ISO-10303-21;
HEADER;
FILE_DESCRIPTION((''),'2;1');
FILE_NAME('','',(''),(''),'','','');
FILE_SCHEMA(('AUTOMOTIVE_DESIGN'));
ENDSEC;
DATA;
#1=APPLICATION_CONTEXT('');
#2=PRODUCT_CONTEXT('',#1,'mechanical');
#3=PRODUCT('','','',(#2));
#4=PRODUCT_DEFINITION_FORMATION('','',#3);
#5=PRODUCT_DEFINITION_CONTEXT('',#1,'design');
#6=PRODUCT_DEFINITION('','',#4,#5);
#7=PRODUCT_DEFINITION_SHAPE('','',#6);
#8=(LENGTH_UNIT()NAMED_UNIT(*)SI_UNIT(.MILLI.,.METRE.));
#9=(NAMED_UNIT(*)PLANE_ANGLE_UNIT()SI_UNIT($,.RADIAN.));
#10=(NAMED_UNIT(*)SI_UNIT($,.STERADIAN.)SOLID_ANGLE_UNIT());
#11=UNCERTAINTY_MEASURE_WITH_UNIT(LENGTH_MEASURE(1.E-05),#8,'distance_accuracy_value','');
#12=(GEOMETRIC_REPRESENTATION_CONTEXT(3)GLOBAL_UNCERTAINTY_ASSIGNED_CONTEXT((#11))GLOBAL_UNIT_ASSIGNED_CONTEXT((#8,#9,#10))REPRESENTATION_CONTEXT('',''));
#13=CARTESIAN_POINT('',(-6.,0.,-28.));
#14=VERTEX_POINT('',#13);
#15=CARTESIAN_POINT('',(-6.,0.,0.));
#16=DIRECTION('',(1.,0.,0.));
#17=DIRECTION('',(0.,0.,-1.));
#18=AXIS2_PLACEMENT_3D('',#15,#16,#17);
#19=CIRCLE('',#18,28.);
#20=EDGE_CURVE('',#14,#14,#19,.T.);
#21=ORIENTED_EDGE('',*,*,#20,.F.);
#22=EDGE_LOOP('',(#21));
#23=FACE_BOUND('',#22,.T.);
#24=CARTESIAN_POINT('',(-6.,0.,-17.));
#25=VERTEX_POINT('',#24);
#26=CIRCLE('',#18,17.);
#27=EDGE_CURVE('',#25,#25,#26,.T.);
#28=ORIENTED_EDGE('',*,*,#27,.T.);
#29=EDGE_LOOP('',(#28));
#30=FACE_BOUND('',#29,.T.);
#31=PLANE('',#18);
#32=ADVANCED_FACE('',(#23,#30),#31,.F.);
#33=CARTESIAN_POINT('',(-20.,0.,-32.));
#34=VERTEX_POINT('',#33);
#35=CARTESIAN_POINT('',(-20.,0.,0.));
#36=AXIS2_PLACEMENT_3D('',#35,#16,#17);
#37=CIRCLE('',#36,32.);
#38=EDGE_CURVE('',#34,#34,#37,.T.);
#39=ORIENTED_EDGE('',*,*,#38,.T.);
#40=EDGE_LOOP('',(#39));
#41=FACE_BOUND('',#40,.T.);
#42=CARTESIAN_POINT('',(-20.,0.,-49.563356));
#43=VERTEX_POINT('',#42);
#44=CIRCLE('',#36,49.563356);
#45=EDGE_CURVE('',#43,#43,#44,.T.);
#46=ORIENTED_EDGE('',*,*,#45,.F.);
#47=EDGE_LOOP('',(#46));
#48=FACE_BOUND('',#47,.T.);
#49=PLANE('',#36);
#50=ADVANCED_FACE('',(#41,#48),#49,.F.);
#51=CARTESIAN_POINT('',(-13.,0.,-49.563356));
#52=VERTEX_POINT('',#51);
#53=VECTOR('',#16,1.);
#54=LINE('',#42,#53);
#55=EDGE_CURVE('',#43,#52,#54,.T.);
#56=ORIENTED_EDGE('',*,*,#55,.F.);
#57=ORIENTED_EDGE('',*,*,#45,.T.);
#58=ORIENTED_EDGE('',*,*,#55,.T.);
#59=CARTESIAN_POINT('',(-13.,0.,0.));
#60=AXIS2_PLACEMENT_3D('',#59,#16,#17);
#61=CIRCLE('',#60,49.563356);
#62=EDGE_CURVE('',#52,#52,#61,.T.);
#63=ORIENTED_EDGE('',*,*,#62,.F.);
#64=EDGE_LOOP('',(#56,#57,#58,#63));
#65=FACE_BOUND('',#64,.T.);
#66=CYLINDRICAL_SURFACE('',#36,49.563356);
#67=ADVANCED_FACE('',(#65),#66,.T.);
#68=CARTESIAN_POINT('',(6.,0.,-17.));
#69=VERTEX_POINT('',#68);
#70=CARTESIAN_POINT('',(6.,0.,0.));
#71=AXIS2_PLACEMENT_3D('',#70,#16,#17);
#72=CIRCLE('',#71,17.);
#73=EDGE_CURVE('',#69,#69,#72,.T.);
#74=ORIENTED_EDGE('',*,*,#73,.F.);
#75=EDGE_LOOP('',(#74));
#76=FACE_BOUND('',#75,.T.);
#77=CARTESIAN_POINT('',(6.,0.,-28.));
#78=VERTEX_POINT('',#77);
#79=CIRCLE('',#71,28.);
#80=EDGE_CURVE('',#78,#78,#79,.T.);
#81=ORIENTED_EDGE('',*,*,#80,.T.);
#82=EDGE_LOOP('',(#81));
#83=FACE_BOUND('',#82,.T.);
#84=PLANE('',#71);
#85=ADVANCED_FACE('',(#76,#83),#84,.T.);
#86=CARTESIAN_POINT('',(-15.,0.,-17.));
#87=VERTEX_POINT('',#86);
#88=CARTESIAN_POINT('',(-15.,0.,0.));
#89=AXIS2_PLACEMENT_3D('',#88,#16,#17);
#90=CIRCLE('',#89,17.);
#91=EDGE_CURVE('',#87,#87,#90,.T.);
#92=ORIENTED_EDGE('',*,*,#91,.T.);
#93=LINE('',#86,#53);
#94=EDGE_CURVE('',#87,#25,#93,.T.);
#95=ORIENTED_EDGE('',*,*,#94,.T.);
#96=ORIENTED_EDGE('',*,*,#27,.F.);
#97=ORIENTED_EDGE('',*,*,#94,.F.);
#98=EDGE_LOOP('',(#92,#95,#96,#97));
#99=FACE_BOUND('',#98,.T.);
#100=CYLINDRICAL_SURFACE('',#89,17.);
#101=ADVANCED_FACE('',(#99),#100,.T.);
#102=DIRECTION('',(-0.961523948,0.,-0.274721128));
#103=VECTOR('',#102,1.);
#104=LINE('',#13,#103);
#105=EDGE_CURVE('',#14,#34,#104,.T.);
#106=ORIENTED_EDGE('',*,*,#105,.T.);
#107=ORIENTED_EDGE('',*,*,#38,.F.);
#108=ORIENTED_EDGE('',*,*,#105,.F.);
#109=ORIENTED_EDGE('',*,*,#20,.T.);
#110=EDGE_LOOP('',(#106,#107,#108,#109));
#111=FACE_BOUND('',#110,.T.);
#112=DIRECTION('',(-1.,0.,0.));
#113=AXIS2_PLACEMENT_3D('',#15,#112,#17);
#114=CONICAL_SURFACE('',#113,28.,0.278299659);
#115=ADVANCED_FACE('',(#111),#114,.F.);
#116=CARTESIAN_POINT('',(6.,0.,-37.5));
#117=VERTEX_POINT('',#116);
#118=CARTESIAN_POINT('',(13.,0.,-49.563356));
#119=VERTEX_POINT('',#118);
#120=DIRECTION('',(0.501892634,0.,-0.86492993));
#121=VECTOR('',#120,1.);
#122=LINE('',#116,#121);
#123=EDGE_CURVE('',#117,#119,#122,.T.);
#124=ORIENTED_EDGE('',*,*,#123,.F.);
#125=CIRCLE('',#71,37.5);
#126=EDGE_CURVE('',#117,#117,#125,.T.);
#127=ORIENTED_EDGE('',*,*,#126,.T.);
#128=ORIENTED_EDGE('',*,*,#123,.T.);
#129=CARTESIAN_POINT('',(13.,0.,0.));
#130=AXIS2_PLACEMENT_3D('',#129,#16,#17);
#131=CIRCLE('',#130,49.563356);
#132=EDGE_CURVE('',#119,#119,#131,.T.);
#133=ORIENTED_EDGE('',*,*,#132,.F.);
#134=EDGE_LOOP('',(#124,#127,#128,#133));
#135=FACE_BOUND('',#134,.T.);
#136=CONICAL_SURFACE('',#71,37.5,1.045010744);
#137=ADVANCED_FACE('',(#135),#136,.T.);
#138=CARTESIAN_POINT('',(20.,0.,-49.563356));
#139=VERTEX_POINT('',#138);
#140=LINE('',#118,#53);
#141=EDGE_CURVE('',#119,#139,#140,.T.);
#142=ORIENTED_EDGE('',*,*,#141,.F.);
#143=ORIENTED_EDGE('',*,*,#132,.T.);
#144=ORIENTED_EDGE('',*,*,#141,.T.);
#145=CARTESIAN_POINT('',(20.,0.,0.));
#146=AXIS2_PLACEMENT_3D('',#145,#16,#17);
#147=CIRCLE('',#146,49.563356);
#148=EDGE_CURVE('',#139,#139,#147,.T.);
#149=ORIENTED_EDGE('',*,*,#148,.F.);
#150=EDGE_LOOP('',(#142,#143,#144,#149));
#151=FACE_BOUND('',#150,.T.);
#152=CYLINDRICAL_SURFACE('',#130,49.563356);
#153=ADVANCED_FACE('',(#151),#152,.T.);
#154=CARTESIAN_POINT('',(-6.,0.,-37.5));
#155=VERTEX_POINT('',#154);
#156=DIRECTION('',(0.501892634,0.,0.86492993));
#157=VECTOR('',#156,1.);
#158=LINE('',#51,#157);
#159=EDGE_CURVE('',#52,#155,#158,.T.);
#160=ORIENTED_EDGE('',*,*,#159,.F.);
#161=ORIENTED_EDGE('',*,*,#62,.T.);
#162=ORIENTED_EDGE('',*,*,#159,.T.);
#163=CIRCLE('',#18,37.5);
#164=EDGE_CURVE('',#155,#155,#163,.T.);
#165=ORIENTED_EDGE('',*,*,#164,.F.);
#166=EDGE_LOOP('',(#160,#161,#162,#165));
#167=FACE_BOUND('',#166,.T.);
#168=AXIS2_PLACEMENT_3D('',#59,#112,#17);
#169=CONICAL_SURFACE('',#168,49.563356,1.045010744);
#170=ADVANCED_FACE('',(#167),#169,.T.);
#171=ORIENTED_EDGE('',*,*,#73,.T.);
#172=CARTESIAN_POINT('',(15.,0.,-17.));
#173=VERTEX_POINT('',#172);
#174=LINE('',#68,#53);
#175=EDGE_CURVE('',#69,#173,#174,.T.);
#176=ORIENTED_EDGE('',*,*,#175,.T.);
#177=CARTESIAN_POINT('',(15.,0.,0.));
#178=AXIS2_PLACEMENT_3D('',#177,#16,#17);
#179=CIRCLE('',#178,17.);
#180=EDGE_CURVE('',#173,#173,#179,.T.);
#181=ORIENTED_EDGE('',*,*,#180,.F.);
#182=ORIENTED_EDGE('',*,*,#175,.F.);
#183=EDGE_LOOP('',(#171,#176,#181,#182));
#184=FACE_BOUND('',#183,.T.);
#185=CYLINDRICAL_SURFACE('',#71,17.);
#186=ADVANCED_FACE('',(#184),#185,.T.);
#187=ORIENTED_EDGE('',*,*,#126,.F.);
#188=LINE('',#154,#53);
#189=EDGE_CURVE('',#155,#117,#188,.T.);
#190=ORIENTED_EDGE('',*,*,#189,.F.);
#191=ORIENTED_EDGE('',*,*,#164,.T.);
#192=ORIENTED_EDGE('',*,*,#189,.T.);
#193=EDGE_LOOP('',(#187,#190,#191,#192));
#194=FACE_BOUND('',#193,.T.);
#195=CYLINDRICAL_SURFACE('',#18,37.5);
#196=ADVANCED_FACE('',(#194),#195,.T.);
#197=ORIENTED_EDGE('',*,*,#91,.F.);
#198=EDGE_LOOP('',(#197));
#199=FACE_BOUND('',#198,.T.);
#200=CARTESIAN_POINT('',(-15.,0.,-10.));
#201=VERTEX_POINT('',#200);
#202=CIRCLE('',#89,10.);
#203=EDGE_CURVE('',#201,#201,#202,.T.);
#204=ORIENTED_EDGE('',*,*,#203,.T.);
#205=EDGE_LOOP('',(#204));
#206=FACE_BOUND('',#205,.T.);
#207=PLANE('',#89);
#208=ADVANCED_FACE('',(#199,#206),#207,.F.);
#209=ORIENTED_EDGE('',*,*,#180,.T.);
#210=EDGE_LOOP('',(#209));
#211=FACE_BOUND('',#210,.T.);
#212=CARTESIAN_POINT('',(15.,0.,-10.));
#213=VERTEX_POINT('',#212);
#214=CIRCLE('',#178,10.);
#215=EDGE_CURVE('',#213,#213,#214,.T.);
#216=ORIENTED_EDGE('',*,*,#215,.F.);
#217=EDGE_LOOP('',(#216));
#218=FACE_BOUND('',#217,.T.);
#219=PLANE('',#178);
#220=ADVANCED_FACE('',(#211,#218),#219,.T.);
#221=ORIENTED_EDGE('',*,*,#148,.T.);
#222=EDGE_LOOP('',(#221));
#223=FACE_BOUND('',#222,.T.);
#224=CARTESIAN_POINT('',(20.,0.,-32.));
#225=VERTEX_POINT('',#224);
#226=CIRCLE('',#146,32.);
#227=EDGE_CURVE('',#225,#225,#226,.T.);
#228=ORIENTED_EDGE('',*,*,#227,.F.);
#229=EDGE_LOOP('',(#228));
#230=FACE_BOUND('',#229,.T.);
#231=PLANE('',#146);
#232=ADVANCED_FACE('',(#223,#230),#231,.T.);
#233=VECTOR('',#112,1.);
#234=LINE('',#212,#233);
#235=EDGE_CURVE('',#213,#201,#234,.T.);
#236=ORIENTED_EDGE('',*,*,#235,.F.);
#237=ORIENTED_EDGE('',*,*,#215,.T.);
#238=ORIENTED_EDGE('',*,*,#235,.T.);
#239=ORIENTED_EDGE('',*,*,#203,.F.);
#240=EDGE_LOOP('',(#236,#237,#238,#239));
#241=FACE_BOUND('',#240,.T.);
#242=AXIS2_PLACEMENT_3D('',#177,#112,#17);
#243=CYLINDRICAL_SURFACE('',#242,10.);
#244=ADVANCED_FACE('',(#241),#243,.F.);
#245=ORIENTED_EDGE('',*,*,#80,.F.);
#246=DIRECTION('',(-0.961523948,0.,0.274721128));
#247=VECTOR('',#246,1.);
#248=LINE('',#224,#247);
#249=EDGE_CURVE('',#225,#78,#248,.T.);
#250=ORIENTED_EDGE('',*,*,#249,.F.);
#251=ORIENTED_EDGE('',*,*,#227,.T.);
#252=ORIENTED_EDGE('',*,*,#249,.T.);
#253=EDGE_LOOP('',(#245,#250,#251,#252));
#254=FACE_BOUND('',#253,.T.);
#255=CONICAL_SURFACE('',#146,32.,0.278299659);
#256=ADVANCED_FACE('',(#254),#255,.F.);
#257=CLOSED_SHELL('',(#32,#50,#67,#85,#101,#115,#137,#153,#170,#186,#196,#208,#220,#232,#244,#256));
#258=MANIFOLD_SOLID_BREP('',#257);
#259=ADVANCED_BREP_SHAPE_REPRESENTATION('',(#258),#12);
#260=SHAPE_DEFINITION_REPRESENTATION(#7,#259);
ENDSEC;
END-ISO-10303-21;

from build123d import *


with BuildPart() as f1:
    # F0 (on Front) → F1 (revolve)
    with BuildSketch(Plane.XZ):
        Polygon((15, -10), (-15, -10), (-15, -17), (-6, -17), (-6, -28), (-20, -32), (-20, -49.563356), (-13, -49.563356), (-6, -37.5), (6, -37.5), (13, -49.563356), (20, -49.563356), (20, -32), (6, -28), (6, -17), (15, -17), align=None)
    revolve(axis=Axis((3.753301, 0, 0), (1, 0, 0)))


solid = f1.part
